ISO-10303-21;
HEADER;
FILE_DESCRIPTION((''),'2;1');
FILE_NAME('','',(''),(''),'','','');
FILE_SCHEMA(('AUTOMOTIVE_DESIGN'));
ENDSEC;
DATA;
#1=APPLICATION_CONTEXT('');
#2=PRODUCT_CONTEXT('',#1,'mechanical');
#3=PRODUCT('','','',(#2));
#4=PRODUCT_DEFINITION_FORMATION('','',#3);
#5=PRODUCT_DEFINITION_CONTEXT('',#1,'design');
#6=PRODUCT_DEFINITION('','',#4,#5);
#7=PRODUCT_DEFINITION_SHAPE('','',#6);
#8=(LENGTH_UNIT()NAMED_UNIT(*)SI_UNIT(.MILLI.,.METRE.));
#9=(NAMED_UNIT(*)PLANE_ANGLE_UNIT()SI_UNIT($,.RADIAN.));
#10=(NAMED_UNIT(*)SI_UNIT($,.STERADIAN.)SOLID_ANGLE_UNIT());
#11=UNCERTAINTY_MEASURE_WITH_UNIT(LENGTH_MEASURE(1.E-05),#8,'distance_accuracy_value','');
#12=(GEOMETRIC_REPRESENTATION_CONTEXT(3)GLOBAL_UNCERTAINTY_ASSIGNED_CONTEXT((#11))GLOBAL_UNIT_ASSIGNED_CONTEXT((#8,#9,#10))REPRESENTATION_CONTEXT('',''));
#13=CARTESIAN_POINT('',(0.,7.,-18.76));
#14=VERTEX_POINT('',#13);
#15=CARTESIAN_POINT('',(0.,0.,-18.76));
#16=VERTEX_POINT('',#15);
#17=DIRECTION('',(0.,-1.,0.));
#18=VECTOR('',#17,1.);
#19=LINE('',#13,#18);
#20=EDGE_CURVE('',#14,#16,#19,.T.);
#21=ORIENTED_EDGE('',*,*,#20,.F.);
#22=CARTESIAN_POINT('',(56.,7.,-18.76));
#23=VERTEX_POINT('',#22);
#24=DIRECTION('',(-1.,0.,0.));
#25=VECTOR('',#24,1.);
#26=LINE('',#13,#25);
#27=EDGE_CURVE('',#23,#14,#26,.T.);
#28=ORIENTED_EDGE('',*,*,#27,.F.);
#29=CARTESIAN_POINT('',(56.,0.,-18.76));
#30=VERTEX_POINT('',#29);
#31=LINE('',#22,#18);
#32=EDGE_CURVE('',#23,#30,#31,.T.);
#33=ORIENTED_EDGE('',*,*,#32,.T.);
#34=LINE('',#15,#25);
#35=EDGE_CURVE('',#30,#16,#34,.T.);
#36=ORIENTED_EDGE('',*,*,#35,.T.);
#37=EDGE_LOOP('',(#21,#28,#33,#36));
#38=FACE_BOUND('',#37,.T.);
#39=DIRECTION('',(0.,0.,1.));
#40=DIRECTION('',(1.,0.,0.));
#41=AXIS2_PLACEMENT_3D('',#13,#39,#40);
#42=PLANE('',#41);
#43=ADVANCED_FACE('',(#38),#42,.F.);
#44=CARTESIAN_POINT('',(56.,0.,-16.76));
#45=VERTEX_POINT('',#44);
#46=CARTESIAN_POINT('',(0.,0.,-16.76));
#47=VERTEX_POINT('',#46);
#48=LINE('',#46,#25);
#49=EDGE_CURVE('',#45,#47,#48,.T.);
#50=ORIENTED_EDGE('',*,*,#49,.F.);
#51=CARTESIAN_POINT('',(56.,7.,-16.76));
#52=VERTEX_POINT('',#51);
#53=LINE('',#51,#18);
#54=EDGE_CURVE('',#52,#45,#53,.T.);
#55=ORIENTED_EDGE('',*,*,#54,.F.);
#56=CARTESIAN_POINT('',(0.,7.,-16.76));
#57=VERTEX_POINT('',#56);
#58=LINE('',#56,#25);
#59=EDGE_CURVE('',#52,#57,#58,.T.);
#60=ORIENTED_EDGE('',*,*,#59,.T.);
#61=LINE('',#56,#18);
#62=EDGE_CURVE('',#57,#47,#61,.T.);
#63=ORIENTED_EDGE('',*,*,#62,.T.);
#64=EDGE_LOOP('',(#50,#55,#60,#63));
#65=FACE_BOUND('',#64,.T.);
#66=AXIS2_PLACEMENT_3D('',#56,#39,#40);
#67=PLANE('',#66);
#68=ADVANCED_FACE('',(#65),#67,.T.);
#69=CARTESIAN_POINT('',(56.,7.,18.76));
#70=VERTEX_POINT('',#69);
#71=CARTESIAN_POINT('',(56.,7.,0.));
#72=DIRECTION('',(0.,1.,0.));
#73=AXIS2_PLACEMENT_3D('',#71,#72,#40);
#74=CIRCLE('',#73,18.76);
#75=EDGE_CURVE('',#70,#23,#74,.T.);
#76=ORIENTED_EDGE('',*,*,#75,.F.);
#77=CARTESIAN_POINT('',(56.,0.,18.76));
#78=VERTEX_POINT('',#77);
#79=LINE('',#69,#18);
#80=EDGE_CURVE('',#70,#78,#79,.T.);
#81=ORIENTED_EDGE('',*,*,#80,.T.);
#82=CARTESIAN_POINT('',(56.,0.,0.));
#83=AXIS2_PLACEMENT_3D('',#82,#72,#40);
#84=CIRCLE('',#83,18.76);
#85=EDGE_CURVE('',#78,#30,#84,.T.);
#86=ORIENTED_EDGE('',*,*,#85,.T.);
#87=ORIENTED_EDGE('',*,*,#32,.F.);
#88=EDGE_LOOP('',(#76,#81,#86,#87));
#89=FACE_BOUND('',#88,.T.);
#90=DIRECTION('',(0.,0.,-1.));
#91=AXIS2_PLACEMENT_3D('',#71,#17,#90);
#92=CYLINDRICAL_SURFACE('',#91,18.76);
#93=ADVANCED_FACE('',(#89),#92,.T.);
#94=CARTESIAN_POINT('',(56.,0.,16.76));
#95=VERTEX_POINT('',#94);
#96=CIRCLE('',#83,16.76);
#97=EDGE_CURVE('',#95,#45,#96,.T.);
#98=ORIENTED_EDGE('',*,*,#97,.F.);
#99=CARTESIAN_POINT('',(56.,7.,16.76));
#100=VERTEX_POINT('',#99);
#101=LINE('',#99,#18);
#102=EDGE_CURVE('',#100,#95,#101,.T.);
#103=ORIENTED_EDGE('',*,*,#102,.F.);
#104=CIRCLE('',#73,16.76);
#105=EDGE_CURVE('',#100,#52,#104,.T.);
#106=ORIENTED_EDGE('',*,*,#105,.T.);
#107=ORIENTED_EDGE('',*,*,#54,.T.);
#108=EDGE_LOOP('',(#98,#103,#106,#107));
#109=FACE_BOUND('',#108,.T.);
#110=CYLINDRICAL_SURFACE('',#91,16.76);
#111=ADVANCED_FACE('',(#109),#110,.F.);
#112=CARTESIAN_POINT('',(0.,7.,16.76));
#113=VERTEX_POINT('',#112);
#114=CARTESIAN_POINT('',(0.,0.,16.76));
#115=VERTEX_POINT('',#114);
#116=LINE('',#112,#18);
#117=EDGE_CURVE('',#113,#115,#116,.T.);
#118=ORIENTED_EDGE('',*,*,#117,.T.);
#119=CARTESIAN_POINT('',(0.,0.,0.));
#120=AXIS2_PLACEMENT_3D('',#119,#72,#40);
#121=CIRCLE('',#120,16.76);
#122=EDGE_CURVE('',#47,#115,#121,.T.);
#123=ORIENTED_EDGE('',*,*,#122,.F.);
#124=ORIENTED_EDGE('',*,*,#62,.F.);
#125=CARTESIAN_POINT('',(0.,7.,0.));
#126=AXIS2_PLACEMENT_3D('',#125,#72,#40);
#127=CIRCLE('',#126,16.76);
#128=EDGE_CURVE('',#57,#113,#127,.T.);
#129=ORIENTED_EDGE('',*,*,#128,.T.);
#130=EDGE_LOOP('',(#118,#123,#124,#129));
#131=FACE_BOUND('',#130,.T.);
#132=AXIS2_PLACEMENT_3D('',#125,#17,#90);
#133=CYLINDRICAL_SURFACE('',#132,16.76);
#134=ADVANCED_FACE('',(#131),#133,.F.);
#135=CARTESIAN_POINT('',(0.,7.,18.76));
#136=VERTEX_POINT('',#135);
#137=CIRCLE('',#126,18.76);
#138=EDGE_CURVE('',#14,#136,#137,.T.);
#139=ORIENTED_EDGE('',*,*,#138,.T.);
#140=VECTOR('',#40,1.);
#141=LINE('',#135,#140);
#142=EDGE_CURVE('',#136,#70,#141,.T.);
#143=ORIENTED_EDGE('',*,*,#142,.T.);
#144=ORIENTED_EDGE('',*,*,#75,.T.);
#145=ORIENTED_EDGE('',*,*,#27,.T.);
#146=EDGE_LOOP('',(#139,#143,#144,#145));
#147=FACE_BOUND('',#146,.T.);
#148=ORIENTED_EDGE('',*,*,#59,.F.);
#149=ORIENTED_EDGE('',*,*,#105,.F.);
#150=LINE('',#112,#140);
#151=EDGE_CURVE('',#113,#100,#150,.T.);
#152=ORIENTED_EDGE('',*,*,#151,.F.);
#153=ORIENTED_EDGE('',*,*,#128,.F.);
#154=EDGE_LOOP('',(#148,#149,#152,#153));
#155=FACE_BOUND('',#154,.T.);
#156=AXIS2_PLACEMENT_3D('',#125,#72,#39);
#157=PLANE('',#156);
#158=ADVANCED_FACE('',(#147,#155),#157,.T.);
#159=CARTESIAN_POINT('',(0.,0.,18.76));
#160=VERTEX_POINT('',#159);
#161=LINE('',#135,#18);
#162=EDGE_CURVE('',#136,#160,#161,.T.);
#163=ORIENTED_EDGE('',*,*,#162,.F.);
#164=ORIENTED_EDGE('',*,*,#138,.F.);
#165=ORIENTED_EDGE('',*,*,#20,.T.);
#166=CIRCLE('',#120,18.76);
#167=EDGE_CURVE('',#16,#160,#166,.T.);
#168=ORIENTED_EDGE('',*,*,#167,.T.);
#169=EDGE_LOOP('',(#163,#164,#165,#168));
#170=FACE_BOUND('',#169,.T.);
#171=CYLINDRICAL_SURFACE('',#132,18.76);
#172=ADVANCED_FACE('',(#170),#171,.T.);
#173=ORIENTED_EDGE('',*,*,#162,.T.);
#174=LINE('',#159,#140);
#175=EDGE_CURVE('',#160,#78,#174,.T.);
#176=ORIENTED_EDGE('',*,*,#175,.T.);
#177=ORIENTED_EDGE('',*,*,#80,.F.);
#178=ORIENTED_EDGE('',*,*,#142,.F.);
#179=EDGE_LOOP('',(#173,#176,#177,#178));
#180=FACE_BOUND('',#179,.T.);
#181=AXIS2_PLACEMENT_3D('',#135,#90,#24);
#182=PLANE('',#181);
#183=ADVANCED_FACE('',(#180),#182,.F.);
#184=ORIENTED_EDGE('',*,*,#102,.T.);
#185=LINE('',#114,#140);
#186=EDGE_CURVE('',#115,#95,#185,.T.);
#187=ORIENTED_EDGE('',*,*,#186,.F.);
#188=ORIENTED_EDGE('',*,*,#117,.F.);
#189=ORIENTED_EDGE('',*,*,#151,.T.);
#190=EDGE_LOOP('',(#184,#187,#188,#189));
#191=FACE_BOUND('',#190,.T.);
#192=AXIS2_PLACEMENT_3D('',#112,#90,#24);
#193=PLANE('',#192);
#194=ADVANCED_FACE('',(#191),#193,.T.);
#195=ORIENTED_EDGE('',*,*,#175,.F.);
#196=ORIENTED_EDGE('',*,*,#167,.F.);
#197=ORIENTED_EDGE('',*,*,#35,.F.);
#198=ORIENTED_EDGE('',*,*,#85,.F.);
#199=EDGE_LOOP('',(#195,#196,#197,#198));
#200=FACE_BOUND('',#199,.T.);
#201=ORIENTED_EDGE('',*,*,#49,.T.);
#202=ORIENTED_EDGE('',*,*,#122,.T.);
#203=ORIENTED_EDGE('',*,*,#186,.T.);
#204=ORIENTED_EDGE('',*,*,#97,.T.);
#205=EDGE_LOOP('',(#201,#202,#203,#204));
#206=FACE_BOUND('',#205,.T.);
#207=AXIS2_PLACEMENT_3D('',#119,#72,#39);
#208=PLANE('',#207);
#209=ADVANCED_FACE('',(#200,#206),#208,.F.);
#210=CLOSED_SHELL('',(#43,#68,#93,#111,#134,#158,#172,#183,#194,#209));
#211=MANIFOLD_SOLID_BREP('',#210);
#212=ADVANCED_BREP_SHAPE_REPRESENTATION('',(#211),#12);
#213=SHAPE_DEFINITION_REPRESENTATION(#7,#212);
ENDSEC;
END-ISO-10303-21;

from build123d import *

# Parameters (mm, degrees)
EXTRUDE_1_DEPTH = 7


with BuildPart() as part:
    # 草图2 → 拉伸-薄壁1 (new body)
    with BuildSketch(Plane(origin=(0, 0, 0), x_dir=(1, 0, 0), z_dir=(0, 1, 0))):
        with BuildLine():
            Line((56, -18.76), (0, -18.76))
            ThreePointArc((0, -18.76), (-18.76, 0), (0, 18.76))
            Line((0, 18.76), (56, 18.76))
            ThreePointArc((56, 18.76), (74.76, 0), (56, -18.76))
        make_face()
        with BuildLine():
            Line((56, -16.76), (0, -16.76))
            ThreePointArc((0, -16.76), (-16.76, 0), (0, 16.76))
            Line((0, 16.76), (56, 16.76))
            ThreePointArc((56, 16.76), (72.76, 0), (56, -16.76))
        make_face(mode=Mode.SUBTRACT)
    extrude(amount=EXTRUDE_1_DEPTH)


solid = part.part
